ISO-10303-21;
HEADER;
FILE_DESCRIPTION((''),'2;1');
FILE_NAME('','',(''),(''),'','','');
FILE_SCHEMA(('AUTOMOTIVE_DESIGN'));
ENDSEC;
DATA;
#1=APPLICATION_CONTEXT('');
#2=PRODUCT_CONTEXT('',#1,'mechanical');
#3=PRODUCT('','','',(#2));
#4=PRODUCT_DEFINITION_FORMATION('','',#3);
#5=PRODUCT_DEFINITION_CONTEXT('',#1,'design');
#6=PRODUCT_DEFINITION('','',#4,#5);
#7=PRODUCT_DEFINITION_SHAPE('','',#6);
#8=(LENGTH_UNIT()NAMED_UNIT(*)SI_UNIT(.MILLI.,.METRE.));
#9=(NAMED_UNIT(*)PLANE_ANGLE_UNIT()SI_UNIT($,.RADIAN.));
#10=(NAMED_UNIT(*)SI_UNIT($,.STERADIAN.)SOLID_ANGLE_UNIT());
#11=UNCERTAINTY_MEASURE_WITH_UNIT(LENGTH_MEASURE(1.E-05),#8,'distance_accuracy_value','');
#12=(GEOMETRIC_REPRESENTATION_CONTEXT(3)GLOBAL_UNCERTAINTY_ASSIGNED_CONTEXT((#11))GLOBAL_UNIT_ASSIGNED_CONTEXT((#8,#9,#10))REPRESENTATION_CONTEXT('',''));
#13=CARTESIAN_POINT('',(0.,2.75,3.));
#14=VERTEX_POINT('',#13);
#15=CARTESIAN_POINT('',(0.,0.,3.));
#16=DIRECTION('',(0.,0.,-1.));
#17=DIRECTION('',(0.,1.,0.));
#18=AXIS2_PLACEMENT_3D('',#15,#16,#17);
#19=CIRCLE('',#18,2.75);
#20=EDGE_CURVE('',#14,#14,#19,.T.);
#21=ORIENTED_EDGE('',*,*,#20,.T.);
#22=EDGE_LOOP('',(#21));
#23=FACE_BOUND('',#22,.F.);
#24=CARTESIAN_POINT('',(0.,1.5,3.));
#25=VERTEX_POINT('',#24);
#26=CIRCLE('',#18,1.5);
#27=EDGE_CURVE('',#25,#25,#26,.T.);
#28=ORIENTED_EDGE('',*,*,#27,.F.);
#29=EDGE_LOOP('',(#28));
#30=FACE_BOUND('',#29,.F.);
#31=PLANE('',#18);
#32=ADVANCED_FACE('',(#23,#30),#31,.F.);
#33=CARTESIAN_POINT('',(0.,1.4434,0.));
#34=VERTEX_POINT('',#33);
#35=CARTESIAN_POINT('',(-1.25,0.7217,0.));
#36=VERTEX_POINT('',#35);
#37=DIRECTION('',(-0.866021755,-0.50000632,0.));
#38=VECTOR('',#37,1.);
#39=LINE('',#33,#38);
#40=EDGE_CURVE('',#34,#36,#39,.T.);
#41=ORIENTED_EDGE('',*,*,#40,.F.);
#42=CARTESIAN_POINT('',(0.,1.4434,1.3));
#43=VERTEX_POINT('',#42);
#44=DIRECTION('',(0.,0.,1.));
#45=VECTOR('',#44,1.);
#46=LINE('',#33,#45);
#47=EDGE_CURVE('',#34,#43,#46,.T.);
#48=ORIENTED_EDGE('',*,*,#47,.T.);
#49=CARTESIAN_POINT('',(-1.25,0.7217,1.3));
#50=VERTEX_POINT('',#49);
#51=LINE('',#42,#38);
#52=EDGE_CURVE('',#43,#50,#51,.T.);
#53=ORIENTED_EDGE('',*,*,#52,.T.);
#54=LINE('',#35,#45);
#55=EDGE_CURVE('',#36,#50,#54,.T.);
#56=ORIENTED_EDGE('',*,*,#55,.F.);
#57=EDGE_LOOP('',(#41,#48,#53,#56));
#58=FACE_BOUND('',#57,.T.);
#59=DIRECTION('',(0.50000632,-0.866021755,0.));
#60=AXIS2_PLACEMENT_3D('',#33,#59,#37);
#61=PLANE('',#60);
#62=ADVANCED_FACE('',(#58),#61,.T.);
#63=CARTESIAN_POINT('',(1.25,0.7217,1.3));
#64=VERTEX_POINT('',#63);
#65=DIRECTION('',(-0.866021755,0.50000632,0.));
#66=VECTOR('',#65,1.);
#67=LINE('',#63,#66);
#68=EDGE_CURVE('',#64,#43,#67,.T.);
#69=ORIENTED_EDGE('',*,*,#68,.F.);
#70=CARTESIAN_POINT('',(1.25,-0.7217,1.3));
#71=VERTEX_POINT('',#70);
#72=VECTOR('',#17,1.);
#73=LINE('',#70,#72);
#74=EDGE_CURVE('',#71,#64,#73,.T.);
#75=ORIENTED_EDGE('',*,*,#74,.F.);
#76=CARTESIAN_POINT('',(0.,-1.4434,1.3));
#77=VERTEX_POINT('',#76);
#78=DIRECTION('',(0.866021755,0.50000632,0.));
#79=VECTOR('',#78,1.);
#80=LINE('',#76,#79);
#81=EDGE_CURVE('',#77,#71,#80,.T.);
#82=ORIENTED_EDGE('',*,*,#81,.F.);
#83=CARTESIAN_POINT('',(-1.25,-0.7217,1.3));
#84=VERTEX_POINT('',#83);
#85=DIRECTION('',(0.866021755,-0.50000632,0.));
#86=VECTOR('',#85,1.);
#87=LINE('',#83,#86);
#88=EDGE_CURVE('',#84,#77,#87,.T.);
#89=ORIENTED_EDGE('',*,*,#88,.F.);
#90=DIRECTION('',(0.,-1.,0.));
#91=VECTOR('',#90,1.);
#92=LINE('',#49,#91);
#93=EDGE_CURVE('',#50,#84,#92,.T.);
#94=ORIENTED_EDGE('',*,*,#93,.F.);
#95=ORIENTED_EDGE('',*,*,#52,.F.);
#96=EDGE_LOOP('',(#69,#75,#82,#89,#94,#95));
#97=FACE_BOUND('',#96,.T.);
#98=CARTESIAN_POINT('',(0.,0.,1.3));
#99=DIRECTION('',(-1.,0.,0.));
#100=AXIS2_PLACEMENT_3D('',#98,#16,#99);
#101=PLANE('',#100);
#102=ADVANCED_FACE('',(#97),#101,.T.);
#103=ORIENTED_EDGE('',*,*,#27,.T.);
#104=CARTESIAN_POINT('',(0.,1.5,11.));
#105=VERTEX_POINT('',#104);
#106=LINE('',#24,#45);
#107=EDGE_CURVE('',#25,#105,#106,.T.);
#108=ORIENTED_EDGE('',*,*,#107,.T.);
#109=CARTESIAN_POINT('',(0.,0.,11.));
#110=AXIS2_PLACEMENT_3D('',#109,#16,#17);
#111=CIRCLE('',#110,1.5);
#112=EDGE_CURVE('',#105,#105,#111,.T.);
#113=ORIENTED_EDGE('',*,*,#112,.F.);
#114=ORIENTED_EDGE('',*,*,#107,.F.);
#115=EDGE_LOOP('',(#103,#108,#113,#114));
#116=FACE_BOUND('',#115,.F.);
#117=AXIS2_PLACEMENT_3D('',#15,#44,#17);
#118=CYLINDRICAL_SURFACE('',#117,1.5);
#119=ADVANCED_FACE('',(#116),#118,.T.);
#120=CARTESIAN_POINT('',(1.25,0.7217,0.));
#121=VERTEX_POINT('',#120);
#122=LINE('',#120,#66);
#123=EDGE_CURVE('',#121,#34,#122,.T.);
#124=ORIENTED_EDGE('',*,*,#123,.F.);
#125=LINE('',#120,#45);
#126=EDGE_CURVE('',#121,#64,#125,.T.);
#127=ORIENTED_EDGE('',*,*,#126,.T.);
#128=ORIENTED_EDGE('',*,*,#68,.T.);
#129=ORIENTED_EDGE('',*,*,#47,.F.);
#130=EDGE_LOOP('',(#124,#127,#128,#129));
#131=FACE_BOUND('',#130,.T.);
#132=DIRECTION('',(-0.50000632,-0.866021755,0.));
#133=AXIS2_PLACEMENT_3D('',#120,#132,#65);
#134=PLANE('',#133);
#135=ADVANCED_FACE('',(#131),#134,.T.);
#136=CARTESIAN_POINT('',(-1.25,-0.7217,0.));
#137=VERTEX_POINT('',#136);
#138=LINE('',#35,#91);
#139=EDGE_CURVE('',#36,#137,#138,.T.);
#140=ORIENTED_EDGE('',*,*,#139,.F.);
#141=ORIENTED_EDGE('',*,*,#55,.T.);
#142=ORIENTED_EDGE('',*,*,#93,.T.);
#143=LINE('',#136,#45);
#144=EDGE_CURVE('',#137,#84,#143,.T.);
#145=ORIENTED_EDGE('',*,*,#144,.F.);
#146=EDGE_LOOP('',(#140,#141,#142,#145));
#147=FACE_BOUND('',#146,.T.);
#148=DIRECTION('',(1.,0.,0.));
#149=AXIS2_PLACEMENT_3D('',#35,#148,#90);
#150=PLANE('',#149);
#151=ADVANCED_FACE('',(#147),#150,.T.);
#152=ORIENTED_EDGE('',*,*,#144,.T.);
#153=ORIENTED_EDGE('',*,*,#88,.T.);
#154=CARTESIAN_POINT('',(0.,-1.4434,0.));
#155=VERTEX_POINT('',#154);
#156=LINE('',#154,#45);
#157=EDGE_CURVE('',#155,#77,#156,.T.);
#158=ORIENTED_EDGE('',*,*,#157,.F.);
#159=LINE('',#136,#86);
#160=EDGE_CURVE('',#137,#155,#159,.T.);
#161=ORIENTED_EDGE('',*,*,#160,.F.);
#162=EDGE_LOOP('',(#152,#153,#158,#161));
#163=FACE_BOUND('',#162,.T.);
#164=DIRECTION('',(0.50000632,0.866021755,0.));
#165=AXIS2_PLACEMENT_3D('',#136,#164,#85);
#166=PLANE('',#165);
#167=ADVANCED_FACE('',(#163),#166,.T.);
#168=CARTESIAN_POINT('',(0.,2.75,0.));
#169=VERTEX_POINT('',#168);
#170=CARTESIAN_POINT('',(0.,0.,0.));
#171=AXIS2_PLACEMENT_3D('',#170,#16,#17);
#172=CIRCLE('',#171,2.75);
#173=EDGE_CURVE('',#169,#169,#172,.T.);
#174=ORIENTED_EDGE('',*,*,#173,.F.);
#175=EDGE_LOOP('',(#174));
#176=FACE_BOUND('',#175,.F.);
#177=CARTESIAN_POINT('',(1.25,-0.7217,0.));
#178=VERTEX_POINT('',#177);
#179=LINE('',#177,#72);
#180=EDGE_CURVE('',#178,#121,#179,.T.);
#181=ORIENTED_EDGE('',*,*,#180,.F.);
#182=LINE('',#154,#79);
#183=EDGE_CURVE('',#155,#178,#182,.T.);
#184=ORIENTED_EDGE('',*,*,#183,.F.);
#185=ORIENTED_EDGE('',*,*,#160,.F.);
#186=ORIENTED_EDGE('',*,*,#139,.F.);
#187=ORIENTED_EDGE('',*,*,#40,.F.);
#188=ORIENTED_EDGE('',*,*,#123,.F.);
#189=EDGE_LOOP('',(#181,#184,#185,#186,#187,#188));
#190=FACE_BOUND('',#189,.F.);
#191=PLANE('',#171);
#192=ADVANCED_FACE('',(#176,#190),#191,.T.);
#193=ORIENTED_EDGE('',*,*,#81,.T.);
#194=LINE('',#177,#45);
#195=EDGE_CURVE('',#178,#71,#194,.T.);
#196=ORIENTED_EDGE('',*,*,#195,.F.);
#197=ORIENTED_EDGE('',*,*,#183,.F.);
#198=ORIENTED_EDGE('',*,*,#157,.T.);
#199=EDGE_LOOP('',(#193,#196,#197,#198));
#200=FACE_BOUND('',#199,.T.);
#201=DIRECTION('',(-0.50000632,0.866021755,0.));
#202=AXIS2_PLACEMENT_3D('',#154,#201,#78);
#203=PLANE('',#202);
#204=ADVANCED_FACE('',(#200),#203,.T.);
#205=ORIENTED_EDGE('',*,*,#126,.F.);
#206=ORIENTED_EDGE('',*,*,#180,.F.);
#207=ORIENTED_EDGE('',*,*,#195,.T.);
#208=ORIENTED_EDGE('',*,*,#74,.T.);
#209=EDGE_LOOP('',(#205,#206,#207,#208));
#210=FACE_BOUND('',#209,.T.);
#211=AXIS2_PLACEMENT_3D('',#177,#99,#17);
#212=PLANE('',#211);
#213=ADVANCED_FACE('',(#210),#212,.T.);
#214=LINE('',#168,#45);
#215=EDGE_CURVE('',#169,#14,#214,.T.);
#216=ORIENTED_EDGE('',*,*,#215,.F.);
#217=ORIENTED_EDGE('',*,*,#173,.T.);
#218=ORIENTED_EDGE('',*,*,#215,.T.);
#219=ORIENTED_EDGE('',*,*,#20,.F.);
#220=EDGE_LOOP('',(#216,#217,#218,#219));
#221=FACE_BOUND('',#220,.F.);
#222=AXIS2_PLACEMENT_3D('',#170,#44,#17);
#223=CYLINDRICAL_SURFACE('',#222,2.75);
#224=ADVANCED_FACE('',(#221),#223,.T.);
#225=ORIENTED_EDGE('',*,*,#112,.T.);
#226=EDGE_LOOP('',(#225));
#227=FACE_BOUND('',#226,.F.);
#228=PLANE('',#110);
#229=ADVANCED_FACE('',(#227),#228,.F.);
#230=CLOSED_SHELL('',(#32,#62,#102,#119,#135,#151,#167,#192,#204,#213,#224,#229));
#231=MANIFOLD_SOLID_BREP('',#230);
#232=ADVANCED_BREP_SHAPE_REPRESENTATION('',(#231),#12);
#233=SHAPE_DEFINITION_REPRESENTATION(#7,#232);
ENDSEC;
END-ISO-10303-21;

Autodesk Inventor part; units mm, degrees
ref_plane "YZ Plane" through (0, 0, 0) normal (1, 0, 0) x (0, 1, 0)
ref_plane "XZ Plane" through (0, 0, 0) normal (0, 1, 0) x (-1, 0, 0)
ref_plane "XY Plane" through (0, 0, 0) normal (0, 0, 1) x (1, 0, 0)
sketch "スケッチ1" plane through (0, 0, 0) normal (1, 0, 0) x (0, 1, 0)
  line L0 (0, 11) -> (0, 0)
  line L1 (0, 0) -> (2.75, 0)
  line L2 (2.75, 0) -> (2.75, 3)
  line L3 (2.75, 3) -> (1.5, 3)
  line L4 (1.5, 3) -> (1.5, 11)
  line L5 (1.5, 11) -> (0, 11)
  dimension "d2" = 3
  dimension "d10" = 8
  dimension "d11" = 3
  dimension "d12" = 5.5
revolve "回転1" add sketch "スケッチ1" angle 360 about axis through (0, 0, 11) along (0, 0, -1)
thread "ねじ1" size "M3x0.5" class "6g" standard "ANSI Metric M Profile" full length
sketch "スケッチ2" plane through (0, 0, 0) normal (0, 0, -1) x (-1, 0, 0)
  line L0 (0, 1.4434) -> (1.25, 0.7217)
  line L1 (1.25, 0.7217) -> (1.25, -0.7217)
  line L2 (1.25, -0.7217) -> (0, -1.4434)
  line L3 (0, -1.4434) -> (-1.25, -0.7217)
  line L4 (-1.25, -0.7217) -> (-1.25, 0.7217)
  line L5 (-1.25, 0.7217) -> (0, 1.4434)
  circle A0 centre (0, 0) radius 2.75 projected
  line L6 (0, 2.75) -> (0, -2.75) construction
  dimension "d7" = 2.5
extrude "押し出し1" cut sketch "スケッチ2" against normal blind 1.3 contours L0 L1 L2 L3 L4 L5
properties part number "M3-8" material "ステンレス鋼 AISI 304"
